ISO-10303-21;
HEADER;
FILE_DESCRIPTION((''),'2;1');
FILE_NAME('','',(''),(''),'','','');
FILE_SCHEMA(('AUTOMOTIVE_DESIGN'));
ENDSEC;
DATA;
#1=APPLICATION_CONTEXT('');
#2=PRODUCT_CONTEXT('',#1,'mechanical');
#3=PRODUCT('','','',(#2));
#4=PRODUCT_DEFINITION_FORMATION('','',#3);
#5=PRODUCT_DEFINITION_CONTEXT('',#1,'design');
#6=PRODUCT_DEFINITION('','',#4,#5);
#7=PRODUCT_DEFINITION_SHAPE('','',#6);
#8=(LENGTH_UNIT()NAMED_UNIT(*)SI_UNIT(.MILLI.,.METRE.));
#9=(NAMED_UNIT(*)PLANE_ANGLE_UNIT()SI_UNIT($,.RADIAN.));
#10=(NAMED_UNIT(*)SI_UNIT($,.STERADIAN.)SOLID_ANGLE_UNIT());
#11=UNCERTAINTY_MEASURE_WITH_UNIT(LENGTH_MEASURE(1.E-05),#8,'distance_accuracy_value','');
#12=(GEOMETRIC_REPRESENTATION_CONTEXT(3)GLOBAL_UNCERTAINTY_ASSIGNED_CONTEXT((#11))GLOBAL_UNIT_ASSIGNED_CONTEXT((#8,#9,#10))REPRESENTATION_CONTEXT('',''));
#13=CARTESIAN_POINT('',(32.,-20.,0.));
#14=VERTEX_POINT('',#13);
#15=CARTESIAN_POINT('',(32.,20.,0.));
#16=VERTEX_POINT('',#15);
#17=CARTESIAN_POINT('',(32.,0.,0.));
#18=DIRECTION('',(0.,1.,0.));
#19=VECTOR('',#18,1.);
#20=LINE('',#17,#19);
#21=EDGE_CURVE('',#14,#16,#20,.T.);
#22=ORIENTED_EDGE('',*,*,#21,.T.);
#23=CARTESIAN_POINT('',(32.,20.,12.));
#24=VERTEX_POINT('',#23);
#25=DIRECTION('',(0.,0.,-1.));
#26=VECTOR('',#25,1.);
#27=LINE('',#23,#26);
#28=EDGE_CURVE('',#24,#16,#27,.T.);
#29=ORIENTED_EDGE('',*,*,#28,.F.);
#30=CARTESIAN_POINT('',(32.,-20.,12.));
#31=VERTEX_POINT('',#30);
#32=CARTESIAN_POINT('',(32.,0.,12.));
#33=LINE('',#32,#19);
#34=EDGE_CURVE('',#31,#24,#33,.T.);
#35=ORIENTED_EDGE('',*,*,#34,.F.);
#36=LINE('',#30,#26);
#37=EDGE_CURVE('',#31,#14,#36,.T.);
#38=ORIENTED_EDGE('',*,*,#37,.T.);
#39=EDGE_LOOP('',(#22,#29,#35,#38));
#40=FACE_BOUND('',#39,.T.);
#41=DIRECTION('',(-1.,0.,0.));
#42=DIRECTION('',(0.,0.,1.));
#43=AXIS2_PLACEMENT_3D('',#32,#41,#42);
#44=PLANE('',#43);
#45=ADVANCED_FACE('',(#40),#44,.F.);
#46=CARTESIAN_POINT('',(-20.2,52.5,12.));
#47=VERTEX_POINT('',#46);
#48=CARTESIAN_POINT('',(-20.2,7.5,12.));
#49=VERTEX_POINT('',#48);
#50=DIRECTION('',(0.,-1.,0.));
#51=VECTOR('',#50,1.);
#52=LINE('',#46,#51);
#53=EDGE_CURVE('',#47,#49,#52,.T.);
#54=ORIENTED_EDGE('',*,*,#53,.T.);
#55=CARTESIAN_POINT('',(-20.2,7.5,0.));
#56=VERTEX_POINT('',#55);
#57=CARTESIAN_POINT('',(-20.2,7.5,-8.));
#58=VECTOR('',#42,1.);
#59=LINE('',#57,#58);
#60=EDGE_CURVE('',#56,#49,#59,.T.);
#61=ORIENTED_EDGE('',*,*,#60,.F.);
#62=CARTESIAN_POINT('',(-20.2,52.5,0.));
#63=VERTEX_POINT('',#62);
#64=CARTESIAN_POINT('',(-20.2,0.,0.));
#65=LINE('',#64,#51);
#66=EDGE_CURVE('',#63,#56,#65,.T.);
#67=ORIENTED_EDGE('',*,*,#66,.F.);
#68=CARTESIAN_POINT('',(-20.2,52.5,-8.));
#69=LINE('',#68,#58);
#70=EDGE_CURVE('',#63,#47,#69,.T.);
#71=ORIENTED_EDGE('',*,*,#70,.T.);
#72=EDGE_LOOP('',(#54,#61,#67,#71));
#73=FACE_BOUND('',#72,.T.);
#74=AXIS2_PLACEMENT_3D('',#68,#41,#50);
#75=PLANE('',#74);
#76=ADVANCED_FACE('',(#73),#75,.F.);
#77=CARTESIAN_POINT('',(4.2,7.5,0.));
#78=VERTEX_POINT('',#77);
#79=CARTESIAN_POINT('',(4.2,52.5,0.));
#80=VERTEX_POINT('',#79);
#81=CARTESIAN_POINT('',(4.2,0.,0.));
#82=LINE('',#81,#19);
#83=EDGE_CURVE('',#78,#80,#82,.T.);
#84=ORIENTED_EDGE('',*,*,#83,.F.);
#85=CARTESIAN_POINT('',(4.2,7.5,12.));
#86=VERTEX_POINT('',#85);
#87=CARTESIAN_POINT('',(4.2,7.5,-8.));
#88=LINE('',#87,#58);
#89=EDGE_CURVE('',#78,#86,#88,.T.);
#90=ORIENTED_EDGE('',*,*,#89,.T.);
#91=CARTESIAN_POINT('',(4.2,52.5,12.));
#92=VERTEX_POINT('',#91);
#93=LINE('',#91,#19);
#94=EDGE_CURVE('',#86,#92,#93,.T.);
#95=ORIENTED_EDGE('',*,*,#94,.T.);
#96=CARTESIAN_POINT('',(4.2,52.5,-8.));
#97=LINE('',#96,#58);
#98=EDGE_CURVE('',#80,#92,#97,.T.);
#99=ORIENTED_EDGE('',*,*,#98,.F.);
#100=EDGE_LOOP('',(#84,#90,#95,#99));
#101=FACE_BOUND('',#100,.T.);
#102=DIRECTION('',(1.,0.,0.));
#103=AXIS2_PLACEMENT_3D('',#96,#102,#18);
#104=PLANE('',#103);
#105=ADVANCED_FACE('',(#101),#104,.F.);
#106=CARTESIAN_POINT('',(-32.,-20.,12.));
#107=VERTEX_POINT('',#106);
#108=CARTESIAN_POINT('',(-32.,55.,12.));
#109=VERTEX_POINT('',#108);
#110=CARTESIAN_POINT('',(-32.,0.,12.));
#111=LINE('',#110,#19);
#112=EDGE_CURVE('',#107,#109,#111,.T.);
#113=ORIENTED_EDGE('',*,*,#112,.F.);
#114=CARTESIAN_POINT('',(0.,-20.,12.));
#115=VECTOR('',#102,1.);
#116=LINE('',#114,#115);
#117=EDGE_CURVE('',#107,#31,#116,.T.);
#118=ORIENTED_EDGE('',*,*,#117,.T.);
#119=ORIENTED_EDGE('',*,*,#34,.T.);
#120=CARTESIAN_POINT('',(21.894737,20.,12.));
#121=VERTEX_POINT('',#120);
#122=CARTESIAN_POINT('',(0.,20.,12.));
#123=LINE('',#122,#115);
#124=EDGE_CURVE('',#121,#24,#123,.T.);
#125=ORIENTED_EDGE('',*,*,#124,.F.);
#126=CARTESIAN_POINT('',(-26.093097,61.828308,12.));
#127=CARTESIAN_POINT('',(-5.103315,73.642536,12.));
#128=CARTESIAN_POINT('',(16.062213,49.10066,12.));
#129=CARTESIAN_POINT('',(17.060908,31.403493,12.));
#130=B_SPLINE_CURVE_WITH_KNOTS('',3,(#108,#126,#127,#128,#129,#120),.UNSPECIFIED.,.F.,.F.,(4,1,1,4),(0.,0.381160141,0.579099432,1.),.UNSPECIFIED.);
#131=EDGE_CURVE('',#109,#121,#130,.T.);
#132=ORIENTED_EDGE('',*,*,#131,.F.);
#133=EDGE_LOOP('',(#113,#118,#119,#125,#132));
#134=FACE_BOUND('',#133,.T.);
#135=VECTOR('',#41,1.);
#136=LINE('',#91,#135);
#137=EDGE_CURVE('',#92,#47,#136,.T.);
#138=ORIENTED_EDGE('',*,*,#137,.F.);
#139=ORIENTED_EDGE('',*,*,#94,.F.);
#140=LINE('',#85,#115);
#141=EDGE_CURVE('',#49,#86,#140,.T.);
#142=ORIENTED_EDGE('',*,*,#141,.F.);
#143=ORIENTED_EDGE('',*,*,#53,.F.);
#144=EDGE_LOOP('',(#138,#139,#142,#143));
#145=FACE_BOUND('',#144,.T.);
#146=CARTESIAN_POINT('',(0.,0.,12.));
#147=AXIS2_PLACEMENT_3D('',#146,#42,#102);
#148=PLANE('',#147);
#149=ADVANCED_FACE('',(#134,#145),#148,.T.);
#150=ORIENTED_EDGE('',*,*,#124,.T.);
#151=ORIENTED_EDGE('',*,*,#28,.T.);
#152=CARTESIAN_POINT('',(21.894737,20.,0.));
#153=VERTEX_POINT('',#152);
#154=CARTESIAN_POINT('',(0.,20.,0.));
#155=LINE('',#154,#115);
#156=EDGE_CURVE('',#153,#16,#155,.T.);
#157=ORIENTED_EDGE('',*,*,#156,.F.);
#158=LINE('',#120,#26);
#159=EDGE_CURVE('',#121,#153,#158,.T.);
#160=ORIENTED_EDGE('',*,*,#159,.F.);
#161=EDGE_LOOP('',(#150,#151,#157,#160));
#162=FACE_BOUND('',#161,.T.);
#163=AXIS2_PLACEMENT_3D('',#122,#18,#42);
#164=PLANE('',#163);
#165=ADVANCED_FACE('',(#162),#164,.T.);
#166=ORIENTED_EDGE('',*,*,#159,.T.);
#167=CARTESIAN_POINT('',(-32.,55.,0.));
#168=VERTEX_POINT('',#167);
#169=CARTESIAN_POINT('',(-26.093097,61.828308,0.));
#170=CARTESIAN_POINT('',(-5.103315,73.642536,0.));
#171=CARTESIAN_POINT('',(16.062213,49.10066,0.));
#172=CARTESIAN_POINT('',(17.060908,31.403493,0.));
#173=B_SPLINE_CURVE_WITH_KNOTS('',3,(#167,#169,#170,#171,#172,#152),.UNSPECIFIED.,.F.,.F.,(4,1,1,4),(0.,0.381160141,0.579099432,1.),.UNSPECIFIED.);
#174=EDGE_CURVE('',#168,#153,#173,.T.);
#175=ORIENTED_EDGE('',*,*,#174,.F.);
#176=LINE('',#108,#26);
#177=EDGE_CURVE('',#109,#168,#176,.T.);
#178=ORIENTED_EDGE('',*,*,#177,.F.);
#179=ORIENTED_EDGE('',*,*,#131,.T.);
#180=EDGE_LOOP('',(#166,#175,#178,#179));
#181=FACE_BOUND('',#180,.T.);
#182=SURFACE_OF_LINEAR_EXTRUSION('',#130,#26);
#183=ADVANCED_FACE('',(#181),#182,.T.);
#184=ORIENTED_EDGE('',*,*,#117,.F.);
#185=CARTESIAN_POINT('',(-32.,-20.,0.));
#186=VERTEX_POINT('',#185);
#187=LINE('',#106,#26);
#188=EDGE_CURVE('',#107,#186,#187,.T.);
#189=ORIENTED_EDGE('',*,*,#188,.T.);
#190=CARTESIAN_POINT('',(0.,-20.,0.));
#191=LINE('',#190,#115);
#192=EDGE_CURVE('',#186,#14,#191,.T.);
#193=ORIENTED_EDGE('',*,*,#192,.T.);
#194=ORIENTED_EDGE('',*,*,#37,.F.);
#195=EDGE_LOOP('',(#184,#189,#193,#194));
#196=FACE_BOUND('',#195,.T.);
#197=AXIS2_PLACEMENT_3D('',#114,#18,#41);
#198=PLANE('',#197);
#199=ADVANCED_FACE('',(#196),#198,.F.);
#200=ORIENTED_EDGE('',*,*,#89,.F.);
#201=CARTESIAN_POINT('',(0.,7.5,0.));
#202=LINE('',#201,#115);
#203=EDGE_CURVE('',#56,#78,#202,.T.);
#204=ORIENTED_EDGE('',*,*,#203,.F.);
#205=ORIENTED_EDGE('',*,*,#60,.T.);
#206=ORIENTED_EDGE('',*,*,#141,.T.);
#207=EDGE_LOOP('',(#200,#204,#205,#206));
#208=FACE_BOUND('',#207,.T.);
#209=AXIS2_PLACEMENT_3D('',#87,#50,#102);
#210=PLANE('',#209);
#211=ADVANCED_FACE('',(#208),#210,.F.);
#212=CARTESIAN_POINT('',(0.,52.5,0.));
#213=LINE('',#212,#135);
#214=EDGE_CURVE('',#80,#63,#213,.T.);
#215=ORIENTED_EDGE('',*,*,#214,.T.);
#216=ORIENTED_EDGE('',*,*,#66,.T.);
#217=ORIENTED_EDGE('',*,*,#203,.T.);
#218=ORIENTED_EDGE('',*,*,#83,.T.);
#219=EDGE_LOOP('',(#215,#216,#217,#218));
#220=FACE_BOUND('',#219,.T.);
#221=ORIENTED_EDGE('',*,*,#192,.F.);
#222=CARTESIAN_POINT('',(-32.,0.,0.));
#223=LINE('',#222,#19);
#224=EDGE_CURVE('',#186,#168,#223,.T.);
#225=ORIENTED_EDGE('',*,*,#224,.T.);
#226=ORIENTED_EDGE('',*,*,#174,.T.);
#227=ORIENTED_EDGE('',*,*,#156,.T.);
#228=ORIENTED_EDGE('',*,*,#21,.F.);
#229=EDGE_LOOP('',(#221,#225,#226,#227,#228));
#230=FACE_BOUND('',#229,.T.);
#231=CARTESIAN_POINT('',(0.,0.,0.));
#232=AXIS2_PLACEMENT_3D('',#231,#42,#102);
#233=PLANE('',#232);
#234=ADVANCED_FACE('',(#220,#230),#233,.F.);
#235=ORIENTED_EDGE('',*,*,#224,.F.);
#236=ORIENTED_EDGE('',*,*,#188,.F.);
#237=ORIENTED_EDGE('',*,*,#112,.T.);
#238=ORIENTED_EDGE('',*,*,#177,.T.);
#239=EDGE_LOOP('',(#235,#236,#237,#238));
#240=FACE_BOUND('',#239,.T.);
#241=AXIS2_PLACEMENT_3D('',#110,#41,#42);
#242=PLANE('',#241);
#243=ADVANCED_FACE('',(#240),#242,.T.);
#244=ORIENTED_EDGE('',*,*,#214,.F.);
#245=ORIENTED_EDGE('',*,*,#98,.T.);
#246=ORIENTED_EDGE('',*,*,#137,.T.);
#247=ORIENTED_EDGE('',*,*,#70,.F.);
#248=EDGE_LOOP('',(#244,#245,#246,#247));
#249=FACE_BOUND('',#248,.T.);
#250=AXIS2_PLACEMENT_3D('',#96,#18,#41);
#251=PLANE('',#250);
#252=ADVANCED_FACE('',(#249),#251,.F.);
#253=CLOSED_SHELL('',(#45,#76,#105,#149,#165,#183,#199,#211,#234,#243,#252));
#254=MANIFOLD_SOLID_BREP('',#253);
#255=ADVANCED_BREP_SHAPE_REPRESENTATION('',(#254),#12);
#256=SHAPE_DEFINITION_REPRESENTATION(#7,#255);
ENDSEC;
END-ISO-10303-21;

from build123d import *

# Parameters (mm, degrees)
SKETCH1_W           = 64
SKETCH1_H           = 40
BOSS_EXTRUDE1_DEPTH = 12
SKETCH2_W           = 24.4
SKETCH2_H           = 45
CUT_EXTRUDE1_DEPTH  = 20


with BuildPart() as part:
    # Sketch1 → Boss-Extrude1 (new body)
    with BuildSketch(Plane.XY):
        with BuildLine():
            Line((-32, 55), (-32, 20))
            Line((-32, 20), (21.894736842, 20))
            add(Edge.make_bspline(
                [(-32, 55), (-26.093097091, 61.828307886), (-5.103314892, 73.642536114), (16.062213436, 49.100660173), (17.060908408, 31.40349279), (21.894736842, 20)],
                knots=[0, 0, 0, 0, 0.381160141, 0.579099432, 1, 1, 1, 1], degree=3))
        make_face()
        Rectangle(SKETCH1_W, SKETCH1_H)
    extrude(amount=BOSS_EXTRUDE1_DEPTH)

    # Sketch2 → Cut-Extrude1 (cut)
    with BuildSketch(Plane.XY.offset(12)):
        with Locations((-8, 30)):
            Rectangle(SKETCH2_W, SKETCH2_H)
    extrude(amount=-CUT_EXTRUDE1_DEPTH, mode=Mode.SUBTRACT)


solid = part.part
